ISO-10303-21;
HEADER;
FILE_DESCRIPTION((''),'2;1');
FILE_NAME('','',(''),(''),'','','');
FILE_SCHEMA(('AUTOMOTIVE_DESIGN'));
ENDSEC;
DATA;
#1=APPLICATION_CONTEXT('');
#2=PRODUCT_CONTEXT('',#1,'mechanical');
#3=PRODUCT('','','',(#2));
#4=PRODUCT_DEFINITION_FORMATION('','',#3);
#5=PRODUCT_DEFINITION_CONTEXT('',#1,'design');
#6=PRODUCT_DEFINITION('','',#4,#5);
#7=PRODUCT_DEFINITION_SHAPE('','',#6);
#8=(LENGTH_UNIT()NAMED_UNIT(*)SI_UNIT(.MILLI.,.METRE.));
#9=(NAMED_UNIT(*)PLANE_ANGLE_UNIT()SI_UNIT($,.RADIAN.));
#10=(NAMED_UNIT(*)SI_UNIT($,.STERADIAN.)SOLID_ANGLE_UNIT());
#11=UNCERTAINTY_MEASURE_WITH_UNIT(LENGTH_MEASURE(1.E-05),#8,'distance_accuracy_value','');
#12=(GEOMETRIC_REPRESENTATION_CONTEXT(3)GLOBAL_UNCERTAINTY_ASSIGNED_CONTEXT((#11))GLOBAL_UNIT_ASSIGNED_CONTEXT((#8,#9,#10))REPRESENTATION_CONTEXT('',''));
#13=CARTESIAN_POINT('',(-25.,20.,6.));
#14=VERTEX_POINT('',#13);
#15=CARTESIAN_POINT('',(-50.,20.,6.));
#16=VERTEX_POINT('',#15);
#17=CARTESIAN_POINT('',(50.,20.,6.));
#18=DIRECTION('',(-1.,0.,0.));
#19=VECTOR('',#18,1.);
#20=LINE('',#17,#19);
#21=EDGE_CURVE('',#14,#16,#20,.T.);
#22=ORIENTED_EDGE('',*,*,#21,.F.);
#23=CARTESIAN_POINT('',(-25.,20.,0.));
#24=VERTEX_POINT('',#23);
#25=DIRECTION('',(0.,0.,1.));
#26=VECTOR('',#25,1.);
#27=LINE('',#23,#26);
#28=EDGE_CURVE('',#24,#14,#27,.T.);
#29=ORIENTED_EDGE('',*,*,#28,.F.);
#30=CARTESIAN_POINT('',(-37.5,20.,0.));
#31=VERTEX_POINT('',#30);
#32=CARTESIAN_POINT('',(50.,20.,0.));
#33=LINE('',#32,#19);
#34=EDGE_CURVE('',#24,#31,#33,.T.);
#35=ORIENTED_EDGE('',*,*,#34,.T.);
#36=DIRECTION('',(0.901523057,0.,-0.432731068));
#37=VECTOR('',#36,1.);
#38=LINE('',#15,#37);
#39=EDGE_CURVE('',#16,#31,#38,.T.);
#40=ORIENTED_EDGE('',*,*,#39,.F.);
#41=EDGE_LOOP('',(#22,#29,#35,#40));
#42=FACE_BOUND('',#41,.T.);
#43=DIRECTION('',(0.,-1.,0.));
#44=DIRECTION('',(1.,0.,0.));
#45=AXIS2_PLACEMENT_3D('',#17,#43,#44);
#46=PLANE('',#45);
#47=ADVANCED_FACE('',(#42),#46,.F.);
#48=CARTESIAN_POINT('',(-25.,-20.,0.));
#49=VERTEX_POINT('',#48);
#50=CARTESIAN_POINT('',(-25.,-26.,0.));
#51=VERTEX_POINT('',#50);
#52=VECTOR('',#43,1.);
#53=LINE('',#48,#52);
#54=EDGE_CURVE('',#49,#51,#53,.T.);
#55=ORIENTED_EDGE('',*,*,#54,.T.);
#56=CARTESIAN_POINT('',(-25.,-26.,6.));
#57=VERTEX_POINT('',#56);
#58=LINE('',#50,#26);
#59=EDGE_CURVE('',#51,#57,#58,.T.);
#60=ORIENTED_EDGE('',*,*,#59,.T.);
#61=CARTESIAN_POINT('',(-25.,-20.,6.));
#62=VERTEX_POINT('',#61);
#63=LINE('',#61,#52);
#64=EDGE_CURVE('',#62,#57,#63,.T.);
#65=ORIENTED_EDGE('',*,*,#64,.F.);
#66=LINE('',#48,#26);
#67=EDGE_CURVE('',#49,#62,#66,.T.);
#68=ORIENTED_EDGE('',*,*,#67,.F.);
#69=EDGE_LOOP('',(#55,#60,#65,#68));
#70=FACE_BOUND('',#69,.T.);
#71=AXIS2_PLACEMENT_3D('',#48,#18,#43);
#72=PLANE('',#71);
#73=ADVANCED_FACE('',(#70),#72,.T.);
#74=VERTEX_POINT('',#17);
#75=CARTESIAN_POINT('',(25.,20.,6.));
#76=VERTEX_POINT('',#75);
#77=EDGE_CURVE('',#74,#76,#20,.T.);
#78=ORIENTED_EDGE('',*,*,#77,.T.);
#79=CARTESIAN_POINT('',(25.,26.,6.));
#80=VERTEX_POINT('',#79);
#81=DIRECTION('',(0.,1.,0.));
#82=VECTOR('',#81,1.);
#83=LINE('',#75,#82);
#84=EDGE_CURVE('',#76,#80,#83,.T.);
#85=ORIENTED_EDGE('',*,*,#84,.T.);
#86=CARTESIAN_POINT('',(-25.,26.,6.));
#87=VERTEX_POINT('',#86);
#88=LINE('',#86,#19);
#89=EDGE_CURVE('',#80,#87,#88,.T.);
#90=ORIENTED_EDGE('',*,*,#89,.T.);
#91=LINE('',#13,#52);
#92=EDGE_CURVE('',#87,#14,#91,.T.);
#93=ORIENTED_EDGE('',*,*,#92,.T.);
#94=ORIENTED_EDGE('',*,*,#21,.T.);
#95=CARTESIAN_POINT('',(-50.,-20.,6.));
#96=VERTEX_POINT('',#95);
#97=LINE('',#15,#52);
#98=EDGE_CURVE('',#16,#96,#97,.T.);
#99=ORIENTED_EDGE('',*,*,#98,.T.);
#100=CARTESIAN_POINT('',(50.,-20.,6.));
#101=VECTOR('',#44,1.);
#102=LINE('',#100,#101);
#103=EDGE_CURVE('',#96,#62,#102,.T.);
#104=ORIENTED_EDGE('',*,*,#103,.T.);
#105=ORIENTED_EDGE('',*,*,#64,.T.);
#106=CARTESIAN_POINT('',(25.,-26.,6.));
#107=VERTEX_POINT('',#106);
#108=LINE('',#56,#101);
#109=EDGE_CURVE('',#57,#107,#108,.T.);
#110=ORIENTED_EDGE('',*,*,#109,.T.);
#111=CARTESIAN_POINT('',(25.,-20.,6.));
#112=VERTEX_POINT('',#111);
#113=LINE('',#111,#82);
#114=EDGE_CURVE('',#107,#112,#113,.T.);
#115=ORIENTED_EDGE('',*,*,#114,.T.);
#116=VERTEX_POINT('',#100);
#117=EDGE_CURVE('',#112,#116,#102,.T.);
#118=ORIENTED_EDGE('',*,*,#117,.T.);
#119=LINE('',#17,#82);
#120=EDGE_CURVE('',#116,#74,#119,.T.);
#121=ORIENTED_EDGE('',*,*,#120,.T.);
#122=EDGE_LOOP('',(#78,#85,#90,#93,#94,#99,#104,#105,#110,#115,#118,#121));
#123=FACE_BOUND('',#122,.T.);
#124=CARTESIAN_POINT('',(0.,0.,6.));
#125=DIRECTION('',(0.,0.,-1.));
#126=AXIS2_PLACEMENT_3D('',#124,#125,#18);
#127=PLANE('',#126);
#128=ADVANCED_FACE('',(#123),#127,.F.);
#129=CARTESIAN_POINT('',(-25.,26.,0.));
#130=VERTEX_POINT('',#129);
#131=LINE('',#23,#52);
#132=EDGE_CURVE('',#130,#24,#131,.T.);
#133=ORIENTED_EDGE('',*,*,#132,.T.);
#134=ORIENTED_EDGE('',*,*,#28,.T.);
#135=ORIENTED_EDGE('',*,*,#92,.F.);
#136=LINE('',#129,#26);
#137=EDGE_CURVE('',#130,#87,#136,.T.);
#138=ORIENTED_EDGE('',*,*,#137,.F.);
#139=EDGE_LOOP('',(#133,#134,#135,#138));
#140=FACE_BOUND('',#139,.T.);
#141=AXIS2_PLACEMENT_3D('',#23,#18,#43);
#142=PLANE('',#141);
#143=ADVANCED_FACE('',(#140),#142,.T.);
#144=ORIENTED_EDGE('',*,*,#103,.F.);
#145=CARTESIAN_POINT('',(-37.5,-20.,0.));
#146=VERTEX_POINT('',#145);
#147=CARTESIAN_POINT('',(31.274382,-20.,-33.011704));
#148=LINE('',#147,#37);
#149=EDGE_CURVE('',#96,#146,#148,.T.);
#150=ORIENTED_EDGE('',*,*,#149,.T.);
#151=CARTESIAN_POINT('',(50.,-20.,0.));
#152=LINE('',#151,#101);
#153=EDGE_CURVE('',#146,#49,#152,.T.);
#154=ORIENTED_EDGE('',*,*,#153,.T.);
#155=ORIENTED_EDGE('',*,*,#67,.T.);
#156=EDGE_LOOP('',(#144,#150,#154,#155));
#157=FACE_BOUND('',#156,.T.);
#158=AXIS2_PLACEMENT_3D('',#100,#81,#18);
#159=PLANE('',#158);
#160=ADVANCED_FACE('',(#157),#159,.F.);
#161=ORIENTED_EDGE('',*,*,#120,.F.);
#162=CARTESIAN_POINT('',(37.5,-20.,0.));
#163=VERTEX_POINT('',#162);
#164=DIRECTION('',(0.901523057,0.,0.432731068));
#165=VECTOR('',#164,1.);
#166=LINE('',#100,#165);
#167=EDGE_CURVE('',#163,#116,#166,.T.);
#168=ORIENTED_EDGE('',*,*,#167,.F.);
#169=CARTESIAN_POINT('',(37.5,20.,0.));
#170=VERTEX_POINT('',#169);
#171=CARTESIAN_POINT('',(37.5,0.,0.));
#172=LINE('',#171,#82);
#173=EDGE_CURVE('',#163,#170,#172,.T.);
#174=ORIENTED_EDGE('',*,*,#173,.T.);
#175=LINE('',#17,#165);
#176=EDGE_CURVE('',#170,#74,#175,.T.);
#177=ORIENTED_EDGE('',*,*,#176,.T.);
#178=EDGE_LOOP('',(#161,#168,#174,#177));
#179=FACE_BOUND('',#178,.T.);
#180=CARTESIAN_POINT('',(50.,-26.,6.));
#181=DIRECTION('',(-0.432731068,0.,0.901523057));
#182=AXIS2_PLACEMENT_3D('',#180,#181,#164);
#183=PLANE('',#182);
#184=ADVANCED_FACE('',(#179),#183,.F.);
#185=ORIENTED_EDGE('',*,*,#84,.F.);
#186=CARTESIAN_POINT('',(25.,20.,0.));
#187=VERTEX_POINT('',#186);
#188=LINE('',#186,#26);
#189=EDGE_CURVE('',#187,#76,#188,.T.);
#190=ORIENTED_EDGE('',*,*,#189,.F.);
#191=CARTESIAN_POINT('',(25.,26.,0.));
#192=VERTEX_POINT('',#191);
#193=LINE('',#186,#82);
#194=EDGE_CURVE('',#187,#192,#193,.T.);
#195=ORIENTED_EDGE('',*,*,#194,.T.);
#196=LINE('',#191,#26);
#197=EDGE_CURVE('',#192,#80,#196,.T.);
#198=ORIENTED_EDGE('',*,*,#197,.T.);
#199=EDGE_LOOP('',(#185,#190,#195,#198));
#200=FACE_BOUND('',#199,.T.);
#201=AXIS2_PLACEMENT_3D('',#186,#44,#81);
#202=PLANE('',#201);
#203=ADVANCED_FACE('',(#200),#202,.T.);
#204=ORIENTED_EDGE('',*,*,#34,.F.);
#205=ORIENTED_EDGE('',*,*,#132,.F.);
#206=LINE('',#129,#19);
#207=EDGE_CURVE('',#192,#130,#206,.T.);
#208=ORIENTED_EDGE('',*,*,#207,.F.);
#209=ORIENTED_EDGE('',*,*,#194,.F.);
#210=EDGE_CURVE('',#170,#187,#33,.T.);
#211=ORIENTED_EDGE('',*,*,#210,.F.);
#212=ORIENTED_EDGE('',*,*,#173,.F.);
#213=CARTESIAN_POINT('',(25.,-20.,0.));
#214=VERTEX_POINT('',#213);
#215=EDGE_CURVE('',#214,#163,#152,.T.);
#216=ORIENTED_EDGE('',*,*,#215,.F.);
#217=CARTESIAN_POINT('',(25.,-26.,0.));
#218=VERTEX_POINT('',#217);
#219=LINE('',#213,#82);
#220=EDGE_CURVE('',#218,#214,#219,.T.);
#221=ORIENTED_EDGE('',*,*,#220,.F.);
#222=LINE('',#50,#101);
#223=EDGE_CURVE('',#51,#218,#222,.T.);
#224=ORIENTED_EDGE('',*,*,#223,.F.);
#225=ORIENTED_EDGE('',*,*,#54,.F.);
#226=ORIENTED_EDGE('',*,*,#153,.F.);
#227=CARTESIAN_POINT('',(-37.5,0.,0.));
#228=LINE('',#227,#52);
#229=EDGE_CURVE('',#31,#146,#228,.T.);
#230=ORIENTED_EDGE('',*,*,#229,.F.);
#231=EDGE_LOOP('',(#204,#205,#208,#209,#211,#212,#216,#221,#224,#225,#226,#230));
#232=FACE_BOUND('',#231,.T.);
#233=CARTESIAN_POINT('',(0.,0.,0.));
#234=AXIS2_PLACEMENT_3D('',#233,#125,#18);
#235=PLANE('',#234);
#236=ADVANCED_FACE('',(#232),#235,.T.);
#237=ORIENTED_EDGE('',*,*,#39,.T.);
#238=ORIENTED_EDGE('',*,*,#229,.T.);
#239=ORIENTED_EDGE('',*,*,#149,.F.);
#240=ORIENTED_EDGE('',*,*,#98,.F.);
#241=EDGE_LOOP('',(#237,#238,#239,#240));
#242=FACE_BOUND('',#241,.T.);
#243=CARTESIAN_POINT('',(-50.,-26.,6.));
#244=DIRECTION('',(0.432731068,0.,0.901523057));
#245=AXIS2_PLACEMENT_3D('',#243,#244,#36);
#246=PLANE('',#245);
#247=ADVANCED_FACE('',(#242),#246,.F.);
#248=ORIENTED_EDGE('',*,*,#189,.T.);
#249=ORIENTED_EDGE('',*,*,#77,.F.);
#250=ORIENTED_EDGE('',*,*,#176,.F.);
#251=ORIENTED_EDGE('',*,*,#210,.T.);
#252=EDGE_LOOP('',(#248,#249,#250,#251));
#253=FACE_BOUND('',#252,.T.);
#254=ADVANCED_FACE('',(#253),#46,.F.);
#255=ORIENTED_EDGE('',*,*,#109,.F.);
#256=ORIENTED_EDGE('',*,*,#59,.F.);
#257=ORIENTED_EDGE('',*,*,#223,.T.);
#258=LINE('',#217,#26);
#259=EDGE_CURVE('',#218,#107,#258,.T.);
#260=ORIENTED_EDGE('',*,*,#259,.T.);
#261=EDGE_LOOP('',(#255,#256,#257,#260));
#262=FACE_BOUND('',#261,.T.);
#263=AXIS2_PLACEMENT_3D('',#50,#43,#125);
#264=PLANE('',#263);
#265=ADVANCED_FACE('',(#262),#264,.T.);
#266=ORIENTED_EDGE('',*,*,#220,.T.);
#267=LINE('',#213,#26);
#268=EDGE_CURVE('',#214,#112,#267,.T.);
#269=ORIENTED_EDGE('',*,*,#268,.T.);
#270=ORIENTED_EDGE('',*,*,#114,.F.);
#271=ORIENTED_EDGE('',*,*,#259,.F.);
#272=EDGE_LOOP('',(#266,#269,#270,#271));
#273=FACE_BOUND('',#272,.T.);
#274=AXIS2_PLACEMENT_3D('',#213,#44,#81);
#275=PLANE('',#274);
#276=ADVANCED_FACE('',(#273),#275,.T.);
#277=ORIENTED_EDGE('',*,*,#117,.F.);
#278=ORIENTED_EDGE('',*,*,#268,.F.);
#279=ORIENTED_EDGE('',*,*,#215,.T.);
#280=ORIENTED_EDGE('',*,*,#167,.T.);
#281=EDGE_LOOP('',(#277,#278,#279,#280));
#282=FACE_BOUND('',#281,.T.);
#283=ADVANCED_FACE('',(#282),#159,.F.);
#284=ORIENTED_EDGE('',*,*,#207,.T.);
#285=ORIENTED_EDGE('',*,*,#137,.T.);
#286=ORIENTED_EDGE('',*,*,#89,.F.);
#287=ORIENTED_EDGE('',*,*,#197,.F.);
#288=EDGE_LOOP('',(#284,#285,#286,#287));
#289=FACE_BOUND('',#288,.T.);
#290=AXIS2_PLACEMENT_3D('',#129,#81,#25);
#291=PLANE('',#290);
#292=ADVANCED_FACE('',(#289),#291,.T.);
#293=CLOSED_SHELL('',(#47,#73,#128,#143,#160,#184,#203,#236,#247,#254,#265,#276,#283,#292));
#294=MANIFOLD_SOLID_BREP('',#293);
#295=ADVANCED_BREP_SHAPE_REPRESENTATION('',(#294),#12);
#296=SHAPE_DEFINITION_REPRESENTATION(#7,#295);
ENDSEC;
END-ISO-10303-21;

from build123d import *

# Parameters (mm, degrees)
ESQUISSE1_W             = 100
ESQUISSE1_H             = 40
BOSS_EXTRU_1_DEPTH      = 6
ESQUISSE2_W             = 50
ESQUISSE2_H             = 6
BOSS_EXTRU_2_DEPTH      = 6
ENL_V_MAT_EXTRU_1_DEPTH = 47


with BuildPart() as part:
    # Esquisse1 → Boss.-Extru.1 (new body)
    with BuildSketch(Plane.XY):
        Rectangle(ESQUISSE1_W, ESQUISSE1_H)
    extrude(amount=BOSS_EXTRU_1_DEPTH)

    # Esquisse2 → Boss.-Extru.2 (add)
    with BuildSketch(Plane.XY.offset(6)):
        with Locations((0, 23)):
            Rectangle(ESQUISSE2_W, ESQUISSE2_H)
        with Locations((0, -23)):
            Rectangle(ESQUISSE2_W, ESQUISSE2_H)
    extrude(amount=-BOSS_EXTRU_2_DEPTH)

    # Esquisse3 → Enlèv. mat.-Extru.1 (cut, through all)
    with BuildSketch(Plane(origin=(0, 20, 0), x_dir=(1, 0, 0), z_dir=(0, 1, 0))):
        Polygon((-50, -6), (-37.5, 0), (-50, 0), align=None)
        Polygon((50, -6), (37.5, 0), (50, 0), align=None)
    extrude(amount=-ENL_V_MAT_EXTRU_1_DEPTH, mode=Mode.SUBTRACT)


solid = part.part
